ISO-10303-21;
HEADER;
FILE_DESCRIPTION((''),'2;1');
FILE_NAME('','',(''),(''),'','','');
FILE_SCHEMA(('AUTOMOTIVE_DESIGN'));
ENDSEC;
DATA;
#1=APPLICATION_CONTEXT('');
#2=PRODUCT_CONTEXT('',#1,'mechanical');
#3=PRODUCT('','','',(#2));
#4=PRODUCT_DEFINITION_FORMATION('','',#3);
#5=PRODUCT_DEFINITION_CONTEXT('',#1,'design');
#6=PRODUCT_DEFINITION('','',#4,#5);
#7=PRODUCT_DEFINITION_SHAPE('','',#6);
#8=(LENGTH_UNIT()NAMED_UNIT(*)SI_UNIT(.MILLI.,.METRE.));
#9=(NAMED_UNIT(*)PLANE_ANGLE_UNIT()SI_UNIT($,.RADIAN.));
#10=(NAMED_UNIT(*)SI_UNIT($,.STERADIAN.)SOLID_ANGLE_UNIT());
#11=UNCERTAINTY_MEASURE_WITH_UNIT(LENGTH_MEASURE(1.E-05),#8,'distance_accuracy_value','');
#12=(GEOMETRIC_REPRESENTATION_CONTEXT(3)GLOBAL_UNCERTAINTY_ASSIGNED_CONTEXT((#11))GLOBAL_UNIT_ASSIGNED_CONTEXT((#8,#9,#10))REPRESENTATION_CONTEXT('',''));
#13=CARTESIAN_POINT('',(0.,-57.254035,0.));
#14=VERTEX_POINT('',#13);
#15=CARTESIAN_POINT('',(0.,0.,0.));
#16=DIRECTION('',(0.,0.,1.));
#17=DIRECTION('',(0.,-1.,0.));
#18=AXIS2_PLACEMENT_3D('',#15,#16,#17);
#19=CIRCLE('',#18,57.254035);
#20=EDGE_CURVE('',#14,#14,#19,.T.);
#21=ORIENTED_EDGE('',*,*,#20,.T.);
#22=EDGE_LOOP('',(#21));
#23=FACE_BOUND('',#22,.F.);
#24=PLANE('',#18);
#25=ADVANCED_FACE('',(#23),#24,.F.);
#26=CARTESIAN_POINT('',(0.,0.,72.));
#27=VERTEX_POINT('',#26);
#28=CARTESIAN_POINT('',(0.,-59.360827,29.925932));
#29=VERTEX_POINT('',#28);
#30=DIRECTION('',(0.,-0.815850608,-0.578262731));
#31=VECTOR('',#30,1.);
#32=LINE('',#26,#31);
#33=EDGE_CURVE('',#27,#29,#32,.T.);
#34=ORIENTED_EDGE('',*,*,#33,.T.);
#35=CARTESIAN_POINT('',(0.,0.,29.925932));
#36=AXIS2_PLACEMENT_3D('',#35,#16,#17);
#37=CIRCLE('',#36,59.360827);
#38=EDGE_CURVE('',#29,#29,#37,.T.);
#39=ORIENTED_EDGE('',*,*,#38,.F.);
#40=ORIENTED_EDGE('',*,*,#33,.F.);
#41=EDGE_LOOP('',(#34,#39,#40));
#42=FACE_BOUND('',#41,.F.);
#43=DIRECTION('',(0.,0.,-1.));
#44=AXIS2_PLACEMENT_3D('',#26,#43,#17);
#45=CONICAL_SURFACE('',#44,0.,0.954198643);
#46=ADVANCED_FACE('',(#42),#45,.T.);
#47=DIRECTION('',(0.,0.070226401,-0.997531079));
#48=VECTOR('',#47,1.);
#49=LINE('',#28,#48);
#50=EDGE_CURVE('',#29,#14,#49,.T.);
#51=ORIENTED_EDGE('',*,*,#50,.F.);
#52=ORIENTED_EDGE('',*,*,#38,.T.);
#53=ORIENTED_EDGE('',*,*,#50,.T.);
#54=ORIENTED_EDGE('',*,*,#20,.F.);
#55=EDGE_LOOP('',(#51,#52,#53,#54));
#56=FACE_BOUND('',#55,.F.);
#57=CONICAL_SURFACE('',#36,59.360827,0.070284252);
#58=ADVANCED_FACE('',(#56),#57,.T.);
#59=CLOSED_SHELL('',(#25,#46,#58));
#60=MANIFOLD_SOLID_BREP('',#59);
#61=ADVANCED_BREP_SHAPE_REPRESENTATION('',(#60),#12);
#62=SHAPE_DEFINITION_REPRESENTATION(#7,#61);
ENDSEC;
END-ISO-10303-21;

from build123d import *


with BuildPart() as f1:
    # F0 (on Right) → F1 (revolve)
    with BuildSketch(Plane.YZ):
        Polygon((-59.360827, 29.925932), (-57.254035, 0), (0, 0), (0, 72), align=None)
    revolve(axis=Axis((0, 0, 36), (0, 0, 1)))


solid = f1.part
